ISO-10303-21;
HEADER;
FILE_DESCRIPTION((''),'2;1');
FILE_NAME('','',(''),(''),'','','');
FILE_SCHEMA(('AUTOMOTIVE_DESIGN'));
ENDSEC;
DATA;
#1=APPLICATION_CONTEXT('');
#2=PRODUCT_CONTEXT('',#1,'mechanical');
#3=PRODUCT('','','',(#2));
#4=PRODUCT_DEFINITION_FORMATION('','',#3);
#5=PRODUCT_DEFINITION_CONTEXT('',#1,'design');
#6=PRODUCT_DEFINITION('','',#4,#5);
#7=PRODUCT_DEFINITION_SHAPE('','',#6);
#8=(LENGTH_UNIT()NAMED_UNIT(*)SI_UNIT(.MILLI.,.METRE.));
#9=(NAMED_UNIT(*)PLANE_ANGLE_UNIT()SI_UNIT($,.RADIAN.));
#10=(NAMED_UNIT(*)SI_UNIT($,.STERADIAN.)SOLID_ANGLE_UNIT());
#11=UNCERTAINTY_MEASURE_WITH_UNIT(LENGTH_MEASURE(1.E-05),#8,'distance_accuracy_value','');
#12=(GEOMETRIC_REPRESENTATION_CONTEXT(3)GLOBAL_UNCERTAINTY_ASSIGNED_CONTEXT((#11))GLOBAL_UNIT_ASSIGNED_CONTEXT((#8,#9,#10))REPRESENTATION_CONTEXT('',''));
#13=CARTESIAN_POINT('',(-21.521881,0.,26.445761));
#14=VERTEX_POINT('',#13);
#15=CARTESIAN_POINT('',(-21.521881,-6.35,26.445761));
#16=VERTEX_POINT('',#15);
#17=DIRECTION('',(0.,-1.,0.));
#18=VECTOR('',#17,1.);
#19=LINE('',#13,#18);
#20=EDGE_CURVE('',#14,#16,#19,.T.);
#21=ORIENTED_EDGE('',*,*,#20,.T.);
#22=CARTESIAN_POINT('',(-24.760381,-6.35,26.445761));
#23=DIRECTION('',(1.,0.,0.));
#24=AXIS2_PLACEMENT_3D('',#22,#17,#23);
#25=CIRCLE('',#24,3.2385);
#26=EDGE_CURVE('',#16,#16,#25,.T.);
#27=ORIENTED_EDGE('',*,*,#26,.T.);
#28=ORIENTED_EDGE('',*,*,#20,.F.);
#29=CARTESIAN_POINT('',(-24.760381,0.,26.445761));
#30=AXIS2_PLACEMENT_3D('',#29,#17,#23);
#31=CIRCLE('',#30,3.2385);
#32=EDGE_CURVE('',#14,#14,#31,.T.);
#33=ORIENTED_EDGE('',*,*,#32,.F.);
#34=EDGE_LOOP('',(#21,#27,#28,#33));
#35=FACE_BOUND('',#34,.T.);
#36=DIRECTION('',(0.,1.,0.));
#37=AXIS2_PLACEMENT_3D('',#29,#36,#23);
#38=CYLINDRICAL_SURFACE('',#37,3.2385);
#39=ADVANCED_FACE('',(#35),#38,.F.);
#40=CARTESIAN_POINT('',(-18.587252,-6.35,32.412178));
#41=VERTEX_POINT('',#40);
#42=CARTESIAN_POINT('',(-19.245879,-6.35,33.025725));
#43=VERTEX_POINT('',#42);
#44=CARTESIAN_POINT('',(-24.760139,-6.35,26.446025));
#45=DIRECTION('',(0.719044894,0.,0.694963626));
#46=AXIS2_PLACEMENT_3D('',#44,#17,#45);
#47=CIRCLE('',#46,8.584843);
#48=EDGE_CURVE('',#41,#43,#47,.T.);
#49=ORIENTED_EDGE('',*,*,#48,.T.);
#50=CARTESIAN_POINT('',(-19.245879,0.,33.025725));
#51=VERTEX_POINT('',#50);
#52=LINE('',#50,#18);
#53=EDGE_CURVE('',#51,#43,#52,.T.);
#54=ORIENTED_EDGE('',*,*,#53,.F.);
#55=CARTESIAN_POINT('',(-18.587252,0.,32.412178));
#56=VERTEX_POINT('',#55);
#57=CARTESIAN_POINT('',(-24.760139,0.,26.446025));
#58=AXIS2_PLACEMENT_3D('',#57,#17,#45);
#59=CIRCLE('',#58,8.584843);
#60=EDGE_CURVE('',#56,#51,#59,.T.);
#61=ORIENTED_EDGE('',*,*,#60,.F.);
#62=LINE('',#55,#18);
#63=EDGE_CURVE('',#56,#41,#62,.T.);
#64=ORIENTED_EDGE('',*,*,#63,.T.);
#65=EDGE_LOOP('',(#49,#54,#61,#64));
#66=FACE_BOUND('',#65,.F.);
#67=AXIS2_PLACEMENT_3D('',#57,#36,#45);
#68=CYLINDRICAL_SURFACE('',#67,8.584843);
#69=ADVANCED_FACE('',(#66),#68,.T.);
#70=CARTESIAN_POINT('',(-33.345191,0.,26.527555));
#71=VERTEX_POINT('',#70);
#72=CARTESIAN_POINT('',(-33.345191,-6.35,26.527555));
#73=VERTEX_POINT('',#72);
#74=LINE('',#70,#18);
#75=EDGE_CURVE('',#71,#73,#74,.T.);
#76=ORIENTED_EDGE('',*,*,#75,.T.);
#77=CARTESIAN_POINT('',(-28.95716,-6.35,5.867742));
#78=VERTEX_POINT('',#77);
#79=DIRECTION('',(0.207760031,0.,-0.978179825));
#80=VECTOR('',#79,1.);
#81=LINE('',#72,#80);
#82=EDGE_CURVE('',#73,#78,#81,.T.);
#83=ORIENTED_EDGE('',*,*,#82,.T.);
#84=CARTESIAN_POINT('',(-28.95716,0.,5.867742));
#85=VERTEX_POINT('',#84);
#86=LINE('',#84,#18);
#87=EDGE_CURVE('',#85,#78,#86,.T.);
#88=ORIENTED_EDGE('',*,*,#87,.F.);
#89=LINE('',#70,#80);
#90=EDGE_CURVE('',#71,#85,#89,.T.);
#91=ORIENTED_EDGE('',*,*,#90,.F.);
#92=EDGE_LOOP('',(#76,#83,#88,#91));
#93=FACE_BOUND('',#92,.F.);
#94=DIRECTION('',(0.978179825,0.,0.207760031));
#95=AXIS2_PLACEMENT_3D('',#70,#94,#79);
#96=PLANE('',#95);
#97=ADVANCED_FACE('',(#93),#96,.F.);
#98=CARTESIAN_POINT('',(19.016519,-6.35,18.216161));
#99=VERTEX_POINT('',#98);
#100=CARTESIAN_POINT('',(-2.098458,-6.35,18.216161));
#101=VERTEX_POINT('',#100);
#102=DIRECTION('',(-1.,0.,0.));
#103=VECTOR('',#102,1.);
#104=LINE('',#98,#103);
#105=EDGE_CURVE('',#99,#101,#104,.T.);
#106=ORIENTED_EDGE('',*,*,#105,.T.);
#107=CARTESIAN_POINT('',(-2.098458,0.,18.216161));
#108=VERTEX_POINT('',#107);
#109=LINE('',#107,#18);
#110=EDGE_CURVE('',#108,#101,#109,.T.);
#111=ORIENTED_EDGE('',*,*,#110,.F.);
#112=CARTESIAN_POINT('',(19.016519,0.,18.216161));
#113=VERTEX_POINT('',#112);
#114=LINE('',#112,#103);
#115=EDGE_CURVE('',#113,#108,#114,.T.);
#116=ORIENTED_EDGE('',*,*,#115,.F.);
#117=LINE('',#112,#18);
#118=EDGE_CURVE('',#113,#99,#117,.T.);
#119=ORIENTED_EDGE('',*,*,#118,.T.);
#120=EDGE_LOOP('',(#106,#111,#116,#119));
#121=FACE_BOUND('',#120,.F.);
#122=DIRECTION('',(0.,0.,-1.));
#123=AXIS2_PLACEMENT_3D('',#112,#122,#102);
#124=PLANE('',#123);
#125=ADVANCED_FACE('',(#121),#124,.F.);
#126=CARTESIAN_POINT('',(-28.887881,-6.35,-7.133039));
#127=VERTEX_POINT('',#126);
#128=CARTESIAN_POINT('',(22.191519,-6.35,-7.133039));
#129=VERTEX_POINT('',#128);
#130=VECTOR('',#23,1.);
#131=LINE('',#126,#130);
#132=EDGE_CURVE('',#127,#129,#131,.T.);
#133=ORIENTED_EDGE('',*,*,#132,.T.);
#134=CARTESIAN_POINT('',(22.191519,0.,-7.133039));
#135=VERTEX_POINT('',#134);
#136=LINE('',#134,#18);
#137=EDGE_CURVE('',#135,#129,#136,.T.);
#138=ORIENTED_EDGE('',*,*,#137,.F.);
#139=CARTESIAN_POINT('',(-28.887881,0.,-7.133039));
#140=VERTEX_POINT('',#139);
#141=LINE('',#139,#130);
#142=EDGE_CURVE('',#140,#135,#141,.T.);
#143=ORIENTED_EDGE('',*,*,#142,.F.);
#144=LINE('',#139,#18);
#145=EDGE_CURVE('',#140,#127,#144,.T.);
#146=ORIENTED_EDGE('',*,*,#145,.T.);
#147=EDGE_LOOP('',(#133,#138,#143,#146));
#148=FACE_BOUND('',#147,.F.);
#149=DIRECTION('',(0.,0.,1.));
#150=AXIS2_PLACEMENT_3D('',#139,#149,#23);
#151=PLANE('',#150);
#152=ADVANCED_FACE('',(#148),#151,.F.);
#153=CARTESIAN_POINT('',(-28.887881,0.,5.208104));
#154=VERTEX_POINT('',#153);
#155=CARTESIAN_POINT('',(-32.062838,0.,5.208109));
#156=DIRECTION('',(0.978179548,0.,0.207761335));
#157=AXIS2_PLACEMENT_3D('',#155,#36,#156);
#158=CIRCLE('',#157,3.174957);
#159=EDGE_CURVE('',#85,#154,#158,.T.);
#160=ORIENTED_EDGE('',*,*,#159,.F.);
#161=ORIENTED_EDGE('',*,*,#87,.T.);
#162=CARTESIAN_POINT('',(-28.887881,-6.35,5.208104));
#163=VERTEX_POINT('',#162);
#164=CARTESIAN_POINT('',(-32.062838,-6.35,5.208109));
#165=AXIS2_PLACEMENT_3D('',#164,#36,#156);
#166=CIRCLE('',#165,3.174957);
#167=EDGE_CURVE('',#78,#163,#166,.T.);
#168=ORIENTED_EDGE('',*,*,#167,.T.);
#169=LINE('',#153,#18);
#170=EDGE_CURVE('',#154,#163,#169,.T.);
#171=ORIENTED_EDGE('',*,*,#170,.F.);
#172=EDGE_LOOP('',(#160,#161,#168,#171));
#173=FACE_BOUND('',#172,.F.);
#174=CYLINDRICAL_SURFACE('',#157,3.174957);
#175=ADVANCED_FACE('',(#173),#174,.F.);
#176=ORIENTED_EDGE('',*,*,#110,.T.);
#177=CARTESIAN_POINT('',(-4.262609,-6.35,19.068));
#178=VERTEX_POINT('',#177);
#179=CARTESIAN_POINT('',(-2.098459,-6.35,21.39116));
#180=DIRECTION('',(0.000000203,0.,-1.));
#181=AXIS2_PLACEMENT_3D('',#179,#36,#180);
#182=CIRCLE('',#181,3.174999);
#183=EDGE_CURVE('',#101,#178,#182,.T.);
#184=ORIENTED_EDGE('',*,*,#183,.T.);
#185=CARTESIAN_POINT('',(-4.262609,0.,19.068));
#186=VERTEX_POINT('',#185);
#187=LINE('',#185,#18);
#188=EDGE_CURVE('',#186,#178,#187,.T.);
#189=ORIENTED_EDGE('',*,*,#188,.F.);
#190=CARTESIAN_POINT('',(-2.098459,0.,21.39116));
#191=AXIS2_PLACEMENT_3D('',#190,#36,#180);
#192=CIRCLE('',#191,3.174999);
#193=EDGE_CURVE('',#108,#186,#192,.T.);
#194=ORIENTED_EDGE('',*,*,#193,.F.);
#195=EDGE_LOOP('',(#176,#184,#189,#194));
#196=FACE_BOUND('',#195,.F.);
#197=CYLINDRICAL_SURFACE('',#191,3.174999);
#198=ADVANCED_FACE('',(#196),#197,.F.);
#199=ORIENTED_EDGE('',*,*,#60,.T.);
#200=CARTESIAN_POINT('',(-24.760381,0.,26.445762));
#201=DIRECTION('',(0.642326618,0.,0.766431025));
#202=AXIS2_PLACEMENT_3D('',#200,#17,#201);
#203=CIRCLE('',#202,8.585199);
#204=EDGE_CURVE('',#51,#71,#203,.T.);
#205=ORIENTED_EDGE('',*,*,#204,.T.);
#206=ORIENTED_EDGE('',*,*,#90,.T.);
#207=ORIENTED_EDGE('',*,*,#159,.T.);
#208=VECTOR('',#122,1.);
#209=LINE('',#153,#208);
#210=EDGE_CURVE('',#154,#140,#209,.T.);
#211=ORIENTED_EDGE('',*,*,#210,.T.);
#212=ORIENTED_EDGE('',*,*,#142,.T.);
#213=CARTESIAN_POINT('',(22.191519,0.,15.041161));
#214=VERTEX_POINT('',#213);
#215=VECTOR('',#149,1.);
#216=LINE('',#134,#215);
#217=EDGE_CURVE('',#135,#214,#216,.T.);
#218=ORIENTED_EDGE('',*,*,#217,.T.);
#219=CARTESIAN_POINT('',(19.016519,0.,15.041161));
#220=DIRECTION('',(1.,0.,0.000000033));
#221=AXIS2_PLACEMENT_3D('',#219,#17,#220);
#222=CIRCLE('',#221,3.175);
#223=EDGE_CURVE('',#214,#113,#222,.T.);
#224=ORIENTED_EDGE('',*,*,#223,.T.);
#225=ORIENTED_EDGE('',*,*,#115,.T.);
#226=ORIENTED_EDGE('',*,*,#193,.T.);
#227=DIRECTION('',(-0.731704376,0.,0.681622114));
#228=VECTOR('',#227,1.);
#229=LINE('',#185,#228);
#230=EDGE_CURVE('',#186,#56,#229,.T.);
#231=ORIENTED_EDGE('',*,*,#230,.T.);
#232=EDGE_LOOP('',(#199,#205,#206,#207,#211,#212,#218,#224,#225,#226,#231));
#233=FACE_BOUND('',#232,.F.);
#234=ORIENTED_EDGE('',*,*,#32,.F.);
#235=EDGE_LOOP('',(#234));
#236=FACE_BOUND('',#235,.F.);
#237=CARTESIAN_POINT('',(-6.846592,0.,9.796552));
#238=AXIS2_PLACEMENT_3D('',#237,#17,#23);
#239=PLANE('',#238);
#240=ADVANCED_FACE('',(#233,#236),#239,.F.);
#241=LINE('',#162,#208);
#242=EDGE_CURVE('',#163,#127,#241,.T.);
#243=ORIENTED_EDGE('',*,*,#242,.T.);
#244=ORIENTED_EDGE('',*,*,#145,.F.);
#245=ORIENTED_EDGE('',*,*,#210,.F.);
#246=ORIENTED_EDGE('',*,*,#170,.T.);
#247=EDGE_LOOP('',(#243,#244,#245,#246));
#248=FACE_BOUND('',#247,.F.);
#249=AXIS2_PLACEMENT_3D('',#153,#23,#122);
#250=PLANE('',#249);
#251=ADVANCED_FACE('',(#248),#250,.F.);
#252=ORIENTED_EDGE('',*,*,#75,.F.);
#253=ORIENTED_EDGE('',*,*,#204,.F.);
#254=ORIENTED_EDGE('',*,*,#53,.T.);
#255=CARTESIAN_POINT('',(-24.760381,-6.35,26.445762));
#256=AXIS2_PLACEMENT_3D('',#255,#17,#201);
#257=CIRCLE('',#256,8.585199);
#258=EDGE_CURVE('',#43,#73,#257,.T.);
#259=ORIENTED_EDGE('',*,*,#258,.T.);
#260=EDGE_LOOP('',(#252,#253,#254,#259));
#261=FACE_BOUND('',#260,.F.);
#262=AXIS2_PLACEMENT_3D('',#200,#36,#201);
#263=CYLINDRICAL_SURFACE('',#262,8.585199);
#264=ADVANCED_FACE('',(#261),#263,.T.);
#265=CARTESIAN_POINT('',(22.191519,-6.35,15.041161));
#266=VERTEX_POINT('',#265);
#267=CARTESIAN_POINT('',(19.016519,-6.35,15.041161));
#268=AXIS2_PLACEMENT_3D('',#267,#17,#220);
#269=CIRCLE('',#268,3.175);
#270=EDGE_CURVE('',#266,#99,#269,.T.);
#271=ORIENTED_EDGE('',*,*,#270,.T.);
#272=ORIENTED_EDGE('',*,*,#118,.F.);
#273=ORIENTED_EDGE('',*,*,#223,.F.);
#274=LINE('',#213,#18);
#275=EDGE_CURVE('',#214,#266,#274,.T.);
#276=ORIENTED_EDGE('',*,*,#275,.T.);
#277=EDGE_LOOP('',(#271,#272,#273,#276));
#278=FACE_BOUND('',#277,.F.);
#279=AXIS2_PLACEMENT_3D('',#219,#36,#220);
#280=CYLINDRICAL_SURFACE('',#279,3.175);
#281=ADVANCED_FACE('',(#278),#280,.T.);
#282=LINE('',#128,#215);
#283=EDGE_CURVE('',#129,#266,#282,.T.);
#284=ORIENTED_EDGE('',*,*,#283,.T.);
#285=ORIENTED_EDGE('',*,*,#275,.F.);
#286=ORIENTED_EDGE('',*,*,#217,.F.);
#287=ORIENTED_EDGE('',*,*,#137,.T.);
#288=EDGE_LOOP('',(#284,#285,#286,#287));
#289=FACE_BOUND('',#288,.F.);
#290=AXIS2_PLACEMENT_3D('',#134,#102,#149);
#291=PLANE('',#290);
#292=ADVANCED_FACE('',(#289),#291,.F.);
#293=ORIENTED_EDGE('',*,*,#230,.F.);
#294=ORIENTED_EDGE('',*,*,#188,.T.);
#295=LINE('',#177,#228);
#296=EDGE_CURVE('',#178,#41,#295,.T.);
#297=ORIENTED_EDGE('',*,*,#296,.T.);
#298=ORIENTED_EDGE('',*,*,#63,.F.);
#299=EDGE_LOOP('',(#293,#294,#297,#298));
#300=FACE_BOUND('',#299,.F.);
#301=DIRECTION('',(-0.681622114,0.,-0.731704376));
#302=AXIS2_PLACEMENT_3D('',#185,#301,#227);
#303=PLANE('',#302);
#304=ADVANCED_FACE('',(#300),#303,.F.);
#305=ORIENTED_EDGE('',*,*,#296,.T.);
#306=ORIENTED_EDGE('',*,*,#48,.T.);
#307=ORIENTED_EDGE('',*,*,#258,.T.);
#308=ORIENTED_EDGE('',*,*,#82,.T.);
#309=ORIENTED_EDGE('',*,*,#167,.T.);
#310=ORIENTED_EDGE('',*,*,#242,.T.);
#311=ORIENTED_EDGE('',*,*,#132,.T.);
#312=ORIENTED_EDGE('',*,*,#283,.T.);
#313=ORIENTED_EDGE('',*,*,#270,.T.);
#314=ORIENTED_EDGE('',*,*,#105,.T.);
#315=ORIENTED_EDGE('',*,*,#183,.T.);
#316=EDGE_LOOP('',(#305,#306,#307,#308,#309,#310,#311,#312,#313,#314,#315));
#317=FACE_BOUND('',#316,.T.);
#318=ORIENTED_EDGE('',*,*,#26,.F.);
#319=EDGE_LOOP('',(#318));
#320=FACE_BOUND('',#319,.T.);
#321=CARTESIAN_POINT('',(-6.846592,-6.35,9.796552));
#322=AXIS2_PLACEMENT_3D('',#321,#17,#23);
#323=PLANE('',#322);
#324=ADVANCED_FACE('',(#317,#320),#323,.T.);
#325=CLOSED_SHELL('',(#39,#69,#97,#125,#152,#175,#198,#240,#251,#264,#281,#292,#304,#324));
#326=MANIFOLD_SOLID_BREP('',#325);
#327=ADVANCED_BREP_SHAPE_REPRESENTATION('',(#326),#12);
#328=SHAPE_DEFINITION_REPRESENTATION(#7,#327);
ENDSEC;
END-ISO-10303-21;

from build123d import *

# Parameters (mm, degrees)
F0_R     = 3.2385
F1_DEPTH = 6.35


with BuildPart() as f1:
    # F0 (on Front) → F1 (new body)
    with BuildSketch(Plane.XZ):
        with BuildLine():
            Line((19.016519, 18.216161), (-2.098458, 18.216161))
            ThreePointArc((-2.098458, 18.216161), (-3.26134, 18.436786), (-4.262609, 19.068))
            Line((-4.262609, 19.068), (-18.587252, 32.412178))
            Line((-18.587252, 32.412178), (-19.245879, 33.025725))
            ThreePointArc((-19.245879, 33.025725), (-28.353882, 34.24271), (-33.345191, 26.527555))
            Line((-33.345191, 26.527555), (-28.95716, 5.867742))
            ThreePointArc((-28.95716, 5.867742), (-28.905248, 5.539737), (-28.887881, 5.208104))
            Line((-28.887881, 5.208104), (-28.887881, -7.133039))
            Line((-28.887881, -7.133039), (22.191519, -7.133039))
            Line((22.191519, -7.133039), (22.191519, 15.041161))
            ThreePointArc((22.191519, 15.041161), (21.261583, 17.286225), (19.016519, 18.216161))
        make_face()
        with Locations((-24.760381, 26.445761)):
            Circle(F0_R, mode=Mode.SUBTRACT)
        with BuildLine():
            Line((-19.245879, 33.025725), (-18.587252, 32.412178))
            ThreePointArc((-18.587252, 32.412178), (-18.908519, 32.72759), (-19.245879, 33.025725))
        make_face()
    extrude(amount=F1_DEPTH)


solid = f1.part
